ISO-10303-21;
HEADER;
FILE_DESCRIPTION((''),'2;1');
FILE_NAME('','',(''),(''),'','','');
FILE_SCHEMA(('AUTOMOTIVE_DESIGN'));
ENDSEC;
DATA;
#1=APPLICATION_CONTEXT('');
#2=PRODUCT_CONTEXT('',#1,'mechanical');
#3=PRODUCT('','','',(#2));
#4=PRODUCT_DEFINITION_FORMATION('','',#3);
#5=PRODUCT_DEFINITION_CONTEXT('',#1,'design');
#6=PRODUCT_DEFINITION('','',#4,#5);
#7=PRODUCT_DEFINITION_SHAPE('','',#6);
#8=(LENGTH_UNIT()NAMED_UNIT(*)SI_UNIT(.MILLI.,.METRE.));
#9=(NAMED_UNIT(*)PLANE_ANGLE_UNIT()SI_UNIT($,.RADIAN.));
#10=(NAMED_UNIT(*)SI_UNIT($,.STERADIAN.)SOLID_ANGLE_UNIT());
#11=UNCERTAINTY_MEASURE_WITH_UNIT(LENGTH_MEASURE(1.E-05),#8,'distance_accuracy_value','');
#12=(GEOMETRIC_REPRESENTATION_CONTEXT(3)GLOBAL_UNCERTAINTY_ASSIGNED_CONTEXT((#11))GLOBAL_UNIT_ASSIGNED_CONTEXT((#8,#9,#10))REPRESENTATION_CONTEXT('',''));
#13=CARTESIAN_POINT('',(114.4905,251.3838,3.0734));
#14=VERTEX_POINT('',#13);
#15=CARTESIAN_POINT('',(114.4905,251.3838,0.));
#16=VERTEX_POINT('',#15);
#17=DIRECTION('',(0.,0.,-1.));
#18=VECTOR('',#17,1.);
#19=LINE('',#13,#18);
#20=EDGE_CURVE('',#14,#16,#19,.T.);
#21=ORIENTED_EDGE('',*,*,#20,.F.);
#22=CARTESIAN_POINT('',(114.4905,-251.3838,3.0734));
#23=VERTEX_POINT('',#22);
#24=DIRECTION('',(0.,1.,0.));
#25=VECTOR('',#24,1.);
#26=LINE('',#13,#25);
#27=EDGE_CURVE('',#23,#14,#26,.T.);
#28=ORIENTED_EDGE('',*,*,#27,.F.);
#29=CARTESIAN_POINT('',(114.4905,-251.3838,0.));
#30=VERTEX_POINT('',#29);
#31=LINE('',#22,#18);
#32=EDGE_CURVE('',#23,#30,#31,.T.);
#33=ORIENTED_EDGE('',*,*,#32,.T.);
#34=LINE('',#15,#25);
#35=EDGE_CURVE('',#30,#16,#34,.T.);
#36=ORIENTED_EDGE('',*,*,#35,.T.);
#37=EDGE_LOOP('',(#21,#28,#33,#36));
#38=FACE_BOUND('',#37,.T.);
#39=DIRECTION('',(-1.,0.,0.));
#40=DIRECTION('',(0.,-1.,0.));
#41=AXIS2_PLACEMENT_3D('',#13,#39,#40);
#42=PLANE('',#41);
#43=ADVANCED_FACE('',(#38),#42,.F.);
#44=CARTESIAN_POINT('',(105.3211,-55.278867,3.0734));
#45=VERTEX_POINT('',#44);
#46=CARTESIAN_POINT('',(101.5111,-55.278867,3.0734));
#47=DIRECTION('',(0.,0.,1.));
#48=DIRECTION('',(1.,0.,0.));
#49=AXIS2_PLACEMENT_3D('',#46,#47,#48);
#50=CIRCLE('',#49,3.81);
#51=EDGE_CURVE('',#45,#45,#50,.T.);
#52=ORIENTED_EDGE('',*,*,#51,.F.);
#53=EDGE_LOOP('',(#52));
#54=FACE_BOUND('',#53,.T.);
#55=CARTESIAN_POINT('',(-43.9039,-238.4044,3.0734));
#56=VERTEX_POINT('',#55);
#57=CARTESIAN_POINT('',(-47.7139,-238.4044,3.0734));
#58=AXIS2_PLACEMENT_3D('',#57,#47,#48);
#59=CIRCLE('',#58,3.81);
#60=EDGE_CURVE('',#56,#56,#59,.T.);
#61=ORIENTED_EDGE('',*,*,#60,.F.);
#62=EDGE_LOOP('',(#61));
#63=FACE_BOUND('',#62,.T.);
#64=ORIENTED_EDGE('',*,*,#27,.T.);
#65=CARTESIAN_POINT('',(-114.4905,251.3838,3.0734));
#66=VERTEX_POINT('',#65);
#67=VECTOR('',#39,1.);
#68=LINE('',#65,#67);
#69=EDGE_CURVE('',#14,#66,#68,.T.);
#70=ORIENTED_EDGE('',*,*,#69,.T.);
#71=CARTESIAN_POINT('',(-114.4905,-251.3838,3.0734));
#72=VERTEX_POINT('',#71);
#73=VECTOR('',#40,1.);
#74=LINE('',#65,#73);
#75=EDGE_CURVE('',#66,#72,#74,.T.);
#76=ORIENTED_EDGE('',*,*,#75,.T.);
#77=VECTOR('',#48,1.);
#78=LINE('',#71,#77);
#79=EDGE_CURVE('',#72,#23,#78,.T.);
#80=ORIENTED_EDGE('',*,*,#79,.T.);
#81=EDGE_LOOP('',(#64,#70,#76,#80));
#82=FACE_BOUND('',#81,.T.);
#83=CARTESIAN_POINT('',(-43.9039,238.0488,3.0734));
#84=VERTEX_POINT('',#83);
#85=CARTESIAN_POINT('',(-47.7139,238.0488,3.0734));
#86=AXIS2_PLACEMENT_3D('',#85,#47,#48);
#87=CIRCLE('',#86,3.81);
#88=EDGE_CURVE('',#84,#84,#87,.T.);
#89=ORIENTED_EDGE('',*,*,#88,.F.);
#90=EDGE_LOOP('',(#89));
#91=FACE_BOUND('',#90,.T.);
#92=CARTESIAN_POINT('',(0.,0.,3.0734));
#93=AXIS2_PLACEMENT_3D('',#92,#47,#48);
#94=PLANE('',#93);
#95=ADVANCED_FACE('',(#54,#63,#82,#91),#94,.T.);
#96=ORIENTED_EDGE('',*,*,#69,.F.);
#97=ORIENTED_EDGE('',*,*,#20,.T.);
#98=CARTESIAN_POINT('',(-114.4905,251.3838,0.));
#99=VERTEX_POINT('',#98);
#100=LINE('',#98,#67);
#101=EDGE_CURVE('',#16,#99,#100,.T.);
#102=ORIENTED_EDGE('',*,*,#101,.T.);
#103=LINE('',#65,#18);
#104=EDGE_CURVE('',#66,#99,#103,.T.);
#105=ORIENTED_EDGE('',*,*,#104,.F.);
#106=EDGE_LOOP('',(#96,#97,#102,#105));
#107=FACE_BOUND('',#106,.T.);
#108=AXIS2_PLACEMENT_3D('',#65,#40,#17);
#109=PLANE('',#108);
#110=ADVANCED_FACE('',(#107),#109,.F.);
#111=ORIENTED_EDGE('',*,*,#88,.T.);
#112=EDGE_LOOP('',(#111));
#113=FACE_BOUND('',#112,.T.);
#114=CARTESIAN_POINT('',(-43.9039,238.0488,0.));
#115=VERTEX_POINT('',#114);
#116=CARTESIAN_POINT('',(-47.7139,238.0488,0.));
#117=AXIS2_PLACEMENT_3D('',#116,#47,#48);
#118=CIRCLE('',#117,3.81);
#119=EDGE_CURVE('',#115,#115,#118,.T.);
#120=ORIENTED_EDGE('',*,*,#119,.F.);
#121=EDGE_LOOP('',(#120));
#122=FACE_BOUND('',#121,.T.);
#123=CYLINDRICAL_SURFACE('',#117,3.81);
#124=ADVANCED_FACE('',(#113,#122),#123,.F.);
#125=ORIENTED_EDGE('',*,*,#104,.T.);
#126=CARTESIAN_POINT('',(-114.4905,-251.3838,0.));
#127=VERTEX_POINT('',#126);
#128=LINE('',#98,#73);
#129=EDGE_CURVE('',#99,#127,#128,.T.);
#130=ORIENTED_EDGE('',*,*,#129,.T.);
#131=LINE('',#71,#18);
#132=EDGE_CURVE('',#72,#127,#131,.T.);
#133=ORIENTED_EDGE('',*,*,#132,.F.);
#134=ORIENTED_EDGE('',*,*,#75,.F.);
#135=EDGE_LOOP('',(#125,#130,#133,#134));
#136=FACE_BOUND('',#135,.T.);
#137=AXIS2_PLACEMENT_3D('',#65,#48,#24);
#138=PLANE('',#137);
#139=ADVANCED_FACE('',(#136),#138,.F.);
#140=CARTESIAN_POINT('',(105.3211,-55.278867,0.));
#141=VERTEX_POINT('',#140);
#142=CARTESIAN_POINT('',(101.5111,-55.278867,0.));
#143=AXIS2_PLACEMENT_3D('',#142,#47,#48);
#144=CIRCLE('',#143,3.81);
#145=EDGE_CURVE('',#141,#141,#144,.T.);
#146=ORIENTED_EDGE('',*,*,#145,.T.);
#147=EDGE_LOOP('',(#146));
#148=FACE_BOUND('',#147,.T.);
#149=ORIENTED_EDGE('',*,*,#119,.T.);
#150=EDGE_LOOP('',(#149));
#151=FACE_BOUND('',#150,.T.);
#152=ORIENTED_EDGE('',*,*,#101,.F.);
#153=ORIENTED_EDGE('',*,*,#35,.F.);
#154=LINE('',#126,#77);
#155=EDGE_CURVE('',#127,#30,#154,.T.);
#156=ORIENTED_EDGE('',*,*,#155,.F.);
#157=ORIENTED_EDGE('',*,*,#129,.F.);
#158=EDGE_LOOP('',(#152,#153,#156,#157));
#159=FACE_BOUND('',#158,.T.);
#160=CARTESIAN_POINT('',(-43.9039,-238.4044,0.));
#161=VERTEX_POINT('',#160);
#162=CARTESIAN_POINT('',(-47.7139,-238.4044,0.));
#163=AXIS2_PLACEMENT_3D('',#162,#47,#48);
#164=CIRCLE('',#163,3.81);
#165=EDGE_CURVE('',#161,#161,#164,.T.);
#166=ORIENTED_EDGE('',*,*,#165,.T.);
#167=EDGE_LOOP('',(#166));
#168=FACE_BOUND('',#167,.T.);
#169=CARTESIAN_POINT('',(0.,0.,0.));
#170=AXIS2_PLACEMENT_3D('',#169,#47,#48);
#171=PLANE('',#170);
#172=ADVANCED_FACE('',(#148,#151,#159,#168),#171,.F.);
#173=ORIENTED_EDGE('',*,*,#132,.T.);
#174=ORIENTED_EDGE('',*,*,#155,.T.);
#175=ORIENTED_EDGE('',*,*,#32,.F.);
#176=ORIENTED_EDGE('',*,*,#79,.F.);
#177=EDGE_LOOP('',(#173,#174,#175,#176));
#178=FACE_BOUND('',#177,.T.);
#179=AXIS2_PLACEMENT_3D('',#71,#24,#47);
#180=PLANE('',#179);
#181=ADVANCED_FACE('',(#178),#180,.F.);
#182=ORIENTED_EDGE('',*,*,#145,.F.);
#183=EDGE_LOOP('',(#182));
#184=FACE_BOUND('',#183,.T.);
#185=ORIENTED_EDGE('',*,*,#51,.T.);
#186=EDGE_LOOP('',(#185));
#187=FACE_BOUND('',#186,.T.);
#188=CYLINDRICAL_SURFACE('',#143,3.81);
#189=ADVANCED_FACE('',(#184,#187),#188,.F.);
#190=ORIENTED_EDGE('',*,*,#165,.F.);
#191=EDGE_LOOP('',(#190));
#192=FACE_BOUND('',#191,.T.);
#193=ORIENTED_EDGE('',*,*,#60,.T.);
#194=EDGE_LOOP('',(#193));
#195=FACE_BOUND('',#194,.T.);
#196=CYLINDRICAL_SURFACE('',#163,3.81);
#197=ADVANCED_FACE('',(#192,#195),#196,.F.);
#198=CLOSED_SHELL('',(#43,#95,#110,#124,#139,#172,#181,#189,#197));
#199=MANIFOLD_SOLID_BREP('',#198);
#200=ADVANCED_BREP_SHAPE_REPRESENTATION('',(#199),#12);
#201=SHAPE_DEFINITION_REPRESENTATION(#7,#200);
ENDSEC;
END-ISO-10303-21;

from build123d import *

# Parameters (mm, degrees)
SKETCH1_W           = 228.981
SKETCH1_H           = 502.7676
BOSS_EXTRUDE1_DEPTH = 3.0734
SKETCH2_R           = 3.81
CUT_EXTRUDE1_DEPTH  = 4.0734


with BuildPart() as part:
    # Sketch1 → Boss-Extrude1 (new body)
    with BuildSketch(Plane.XY):
        Rectangle(SKETCH1_W, SKETCH1_H)
    extrude(amount=BOSS_EXTRUDE1_DEPTH)

    # Sketch2 → Cut-Extrude1 (cut, through all)
    with BuildSketch(Plane.XY.offset(3.0734)):
        with Locations((-47.7139, 238.0488)):
            Circle(SKETCH2_R)
        with Locations((-47.7139, -238.4044)):
            Circle(SKETCH2_R)
        with Locations((101.5111, -55.278866667)):
            Circle(SKETCH2_R)
    extrude(amount=-CUT_EXTRUDE1_DEPTH, mode=Mode.SUBTRACT)


solid = part.part
